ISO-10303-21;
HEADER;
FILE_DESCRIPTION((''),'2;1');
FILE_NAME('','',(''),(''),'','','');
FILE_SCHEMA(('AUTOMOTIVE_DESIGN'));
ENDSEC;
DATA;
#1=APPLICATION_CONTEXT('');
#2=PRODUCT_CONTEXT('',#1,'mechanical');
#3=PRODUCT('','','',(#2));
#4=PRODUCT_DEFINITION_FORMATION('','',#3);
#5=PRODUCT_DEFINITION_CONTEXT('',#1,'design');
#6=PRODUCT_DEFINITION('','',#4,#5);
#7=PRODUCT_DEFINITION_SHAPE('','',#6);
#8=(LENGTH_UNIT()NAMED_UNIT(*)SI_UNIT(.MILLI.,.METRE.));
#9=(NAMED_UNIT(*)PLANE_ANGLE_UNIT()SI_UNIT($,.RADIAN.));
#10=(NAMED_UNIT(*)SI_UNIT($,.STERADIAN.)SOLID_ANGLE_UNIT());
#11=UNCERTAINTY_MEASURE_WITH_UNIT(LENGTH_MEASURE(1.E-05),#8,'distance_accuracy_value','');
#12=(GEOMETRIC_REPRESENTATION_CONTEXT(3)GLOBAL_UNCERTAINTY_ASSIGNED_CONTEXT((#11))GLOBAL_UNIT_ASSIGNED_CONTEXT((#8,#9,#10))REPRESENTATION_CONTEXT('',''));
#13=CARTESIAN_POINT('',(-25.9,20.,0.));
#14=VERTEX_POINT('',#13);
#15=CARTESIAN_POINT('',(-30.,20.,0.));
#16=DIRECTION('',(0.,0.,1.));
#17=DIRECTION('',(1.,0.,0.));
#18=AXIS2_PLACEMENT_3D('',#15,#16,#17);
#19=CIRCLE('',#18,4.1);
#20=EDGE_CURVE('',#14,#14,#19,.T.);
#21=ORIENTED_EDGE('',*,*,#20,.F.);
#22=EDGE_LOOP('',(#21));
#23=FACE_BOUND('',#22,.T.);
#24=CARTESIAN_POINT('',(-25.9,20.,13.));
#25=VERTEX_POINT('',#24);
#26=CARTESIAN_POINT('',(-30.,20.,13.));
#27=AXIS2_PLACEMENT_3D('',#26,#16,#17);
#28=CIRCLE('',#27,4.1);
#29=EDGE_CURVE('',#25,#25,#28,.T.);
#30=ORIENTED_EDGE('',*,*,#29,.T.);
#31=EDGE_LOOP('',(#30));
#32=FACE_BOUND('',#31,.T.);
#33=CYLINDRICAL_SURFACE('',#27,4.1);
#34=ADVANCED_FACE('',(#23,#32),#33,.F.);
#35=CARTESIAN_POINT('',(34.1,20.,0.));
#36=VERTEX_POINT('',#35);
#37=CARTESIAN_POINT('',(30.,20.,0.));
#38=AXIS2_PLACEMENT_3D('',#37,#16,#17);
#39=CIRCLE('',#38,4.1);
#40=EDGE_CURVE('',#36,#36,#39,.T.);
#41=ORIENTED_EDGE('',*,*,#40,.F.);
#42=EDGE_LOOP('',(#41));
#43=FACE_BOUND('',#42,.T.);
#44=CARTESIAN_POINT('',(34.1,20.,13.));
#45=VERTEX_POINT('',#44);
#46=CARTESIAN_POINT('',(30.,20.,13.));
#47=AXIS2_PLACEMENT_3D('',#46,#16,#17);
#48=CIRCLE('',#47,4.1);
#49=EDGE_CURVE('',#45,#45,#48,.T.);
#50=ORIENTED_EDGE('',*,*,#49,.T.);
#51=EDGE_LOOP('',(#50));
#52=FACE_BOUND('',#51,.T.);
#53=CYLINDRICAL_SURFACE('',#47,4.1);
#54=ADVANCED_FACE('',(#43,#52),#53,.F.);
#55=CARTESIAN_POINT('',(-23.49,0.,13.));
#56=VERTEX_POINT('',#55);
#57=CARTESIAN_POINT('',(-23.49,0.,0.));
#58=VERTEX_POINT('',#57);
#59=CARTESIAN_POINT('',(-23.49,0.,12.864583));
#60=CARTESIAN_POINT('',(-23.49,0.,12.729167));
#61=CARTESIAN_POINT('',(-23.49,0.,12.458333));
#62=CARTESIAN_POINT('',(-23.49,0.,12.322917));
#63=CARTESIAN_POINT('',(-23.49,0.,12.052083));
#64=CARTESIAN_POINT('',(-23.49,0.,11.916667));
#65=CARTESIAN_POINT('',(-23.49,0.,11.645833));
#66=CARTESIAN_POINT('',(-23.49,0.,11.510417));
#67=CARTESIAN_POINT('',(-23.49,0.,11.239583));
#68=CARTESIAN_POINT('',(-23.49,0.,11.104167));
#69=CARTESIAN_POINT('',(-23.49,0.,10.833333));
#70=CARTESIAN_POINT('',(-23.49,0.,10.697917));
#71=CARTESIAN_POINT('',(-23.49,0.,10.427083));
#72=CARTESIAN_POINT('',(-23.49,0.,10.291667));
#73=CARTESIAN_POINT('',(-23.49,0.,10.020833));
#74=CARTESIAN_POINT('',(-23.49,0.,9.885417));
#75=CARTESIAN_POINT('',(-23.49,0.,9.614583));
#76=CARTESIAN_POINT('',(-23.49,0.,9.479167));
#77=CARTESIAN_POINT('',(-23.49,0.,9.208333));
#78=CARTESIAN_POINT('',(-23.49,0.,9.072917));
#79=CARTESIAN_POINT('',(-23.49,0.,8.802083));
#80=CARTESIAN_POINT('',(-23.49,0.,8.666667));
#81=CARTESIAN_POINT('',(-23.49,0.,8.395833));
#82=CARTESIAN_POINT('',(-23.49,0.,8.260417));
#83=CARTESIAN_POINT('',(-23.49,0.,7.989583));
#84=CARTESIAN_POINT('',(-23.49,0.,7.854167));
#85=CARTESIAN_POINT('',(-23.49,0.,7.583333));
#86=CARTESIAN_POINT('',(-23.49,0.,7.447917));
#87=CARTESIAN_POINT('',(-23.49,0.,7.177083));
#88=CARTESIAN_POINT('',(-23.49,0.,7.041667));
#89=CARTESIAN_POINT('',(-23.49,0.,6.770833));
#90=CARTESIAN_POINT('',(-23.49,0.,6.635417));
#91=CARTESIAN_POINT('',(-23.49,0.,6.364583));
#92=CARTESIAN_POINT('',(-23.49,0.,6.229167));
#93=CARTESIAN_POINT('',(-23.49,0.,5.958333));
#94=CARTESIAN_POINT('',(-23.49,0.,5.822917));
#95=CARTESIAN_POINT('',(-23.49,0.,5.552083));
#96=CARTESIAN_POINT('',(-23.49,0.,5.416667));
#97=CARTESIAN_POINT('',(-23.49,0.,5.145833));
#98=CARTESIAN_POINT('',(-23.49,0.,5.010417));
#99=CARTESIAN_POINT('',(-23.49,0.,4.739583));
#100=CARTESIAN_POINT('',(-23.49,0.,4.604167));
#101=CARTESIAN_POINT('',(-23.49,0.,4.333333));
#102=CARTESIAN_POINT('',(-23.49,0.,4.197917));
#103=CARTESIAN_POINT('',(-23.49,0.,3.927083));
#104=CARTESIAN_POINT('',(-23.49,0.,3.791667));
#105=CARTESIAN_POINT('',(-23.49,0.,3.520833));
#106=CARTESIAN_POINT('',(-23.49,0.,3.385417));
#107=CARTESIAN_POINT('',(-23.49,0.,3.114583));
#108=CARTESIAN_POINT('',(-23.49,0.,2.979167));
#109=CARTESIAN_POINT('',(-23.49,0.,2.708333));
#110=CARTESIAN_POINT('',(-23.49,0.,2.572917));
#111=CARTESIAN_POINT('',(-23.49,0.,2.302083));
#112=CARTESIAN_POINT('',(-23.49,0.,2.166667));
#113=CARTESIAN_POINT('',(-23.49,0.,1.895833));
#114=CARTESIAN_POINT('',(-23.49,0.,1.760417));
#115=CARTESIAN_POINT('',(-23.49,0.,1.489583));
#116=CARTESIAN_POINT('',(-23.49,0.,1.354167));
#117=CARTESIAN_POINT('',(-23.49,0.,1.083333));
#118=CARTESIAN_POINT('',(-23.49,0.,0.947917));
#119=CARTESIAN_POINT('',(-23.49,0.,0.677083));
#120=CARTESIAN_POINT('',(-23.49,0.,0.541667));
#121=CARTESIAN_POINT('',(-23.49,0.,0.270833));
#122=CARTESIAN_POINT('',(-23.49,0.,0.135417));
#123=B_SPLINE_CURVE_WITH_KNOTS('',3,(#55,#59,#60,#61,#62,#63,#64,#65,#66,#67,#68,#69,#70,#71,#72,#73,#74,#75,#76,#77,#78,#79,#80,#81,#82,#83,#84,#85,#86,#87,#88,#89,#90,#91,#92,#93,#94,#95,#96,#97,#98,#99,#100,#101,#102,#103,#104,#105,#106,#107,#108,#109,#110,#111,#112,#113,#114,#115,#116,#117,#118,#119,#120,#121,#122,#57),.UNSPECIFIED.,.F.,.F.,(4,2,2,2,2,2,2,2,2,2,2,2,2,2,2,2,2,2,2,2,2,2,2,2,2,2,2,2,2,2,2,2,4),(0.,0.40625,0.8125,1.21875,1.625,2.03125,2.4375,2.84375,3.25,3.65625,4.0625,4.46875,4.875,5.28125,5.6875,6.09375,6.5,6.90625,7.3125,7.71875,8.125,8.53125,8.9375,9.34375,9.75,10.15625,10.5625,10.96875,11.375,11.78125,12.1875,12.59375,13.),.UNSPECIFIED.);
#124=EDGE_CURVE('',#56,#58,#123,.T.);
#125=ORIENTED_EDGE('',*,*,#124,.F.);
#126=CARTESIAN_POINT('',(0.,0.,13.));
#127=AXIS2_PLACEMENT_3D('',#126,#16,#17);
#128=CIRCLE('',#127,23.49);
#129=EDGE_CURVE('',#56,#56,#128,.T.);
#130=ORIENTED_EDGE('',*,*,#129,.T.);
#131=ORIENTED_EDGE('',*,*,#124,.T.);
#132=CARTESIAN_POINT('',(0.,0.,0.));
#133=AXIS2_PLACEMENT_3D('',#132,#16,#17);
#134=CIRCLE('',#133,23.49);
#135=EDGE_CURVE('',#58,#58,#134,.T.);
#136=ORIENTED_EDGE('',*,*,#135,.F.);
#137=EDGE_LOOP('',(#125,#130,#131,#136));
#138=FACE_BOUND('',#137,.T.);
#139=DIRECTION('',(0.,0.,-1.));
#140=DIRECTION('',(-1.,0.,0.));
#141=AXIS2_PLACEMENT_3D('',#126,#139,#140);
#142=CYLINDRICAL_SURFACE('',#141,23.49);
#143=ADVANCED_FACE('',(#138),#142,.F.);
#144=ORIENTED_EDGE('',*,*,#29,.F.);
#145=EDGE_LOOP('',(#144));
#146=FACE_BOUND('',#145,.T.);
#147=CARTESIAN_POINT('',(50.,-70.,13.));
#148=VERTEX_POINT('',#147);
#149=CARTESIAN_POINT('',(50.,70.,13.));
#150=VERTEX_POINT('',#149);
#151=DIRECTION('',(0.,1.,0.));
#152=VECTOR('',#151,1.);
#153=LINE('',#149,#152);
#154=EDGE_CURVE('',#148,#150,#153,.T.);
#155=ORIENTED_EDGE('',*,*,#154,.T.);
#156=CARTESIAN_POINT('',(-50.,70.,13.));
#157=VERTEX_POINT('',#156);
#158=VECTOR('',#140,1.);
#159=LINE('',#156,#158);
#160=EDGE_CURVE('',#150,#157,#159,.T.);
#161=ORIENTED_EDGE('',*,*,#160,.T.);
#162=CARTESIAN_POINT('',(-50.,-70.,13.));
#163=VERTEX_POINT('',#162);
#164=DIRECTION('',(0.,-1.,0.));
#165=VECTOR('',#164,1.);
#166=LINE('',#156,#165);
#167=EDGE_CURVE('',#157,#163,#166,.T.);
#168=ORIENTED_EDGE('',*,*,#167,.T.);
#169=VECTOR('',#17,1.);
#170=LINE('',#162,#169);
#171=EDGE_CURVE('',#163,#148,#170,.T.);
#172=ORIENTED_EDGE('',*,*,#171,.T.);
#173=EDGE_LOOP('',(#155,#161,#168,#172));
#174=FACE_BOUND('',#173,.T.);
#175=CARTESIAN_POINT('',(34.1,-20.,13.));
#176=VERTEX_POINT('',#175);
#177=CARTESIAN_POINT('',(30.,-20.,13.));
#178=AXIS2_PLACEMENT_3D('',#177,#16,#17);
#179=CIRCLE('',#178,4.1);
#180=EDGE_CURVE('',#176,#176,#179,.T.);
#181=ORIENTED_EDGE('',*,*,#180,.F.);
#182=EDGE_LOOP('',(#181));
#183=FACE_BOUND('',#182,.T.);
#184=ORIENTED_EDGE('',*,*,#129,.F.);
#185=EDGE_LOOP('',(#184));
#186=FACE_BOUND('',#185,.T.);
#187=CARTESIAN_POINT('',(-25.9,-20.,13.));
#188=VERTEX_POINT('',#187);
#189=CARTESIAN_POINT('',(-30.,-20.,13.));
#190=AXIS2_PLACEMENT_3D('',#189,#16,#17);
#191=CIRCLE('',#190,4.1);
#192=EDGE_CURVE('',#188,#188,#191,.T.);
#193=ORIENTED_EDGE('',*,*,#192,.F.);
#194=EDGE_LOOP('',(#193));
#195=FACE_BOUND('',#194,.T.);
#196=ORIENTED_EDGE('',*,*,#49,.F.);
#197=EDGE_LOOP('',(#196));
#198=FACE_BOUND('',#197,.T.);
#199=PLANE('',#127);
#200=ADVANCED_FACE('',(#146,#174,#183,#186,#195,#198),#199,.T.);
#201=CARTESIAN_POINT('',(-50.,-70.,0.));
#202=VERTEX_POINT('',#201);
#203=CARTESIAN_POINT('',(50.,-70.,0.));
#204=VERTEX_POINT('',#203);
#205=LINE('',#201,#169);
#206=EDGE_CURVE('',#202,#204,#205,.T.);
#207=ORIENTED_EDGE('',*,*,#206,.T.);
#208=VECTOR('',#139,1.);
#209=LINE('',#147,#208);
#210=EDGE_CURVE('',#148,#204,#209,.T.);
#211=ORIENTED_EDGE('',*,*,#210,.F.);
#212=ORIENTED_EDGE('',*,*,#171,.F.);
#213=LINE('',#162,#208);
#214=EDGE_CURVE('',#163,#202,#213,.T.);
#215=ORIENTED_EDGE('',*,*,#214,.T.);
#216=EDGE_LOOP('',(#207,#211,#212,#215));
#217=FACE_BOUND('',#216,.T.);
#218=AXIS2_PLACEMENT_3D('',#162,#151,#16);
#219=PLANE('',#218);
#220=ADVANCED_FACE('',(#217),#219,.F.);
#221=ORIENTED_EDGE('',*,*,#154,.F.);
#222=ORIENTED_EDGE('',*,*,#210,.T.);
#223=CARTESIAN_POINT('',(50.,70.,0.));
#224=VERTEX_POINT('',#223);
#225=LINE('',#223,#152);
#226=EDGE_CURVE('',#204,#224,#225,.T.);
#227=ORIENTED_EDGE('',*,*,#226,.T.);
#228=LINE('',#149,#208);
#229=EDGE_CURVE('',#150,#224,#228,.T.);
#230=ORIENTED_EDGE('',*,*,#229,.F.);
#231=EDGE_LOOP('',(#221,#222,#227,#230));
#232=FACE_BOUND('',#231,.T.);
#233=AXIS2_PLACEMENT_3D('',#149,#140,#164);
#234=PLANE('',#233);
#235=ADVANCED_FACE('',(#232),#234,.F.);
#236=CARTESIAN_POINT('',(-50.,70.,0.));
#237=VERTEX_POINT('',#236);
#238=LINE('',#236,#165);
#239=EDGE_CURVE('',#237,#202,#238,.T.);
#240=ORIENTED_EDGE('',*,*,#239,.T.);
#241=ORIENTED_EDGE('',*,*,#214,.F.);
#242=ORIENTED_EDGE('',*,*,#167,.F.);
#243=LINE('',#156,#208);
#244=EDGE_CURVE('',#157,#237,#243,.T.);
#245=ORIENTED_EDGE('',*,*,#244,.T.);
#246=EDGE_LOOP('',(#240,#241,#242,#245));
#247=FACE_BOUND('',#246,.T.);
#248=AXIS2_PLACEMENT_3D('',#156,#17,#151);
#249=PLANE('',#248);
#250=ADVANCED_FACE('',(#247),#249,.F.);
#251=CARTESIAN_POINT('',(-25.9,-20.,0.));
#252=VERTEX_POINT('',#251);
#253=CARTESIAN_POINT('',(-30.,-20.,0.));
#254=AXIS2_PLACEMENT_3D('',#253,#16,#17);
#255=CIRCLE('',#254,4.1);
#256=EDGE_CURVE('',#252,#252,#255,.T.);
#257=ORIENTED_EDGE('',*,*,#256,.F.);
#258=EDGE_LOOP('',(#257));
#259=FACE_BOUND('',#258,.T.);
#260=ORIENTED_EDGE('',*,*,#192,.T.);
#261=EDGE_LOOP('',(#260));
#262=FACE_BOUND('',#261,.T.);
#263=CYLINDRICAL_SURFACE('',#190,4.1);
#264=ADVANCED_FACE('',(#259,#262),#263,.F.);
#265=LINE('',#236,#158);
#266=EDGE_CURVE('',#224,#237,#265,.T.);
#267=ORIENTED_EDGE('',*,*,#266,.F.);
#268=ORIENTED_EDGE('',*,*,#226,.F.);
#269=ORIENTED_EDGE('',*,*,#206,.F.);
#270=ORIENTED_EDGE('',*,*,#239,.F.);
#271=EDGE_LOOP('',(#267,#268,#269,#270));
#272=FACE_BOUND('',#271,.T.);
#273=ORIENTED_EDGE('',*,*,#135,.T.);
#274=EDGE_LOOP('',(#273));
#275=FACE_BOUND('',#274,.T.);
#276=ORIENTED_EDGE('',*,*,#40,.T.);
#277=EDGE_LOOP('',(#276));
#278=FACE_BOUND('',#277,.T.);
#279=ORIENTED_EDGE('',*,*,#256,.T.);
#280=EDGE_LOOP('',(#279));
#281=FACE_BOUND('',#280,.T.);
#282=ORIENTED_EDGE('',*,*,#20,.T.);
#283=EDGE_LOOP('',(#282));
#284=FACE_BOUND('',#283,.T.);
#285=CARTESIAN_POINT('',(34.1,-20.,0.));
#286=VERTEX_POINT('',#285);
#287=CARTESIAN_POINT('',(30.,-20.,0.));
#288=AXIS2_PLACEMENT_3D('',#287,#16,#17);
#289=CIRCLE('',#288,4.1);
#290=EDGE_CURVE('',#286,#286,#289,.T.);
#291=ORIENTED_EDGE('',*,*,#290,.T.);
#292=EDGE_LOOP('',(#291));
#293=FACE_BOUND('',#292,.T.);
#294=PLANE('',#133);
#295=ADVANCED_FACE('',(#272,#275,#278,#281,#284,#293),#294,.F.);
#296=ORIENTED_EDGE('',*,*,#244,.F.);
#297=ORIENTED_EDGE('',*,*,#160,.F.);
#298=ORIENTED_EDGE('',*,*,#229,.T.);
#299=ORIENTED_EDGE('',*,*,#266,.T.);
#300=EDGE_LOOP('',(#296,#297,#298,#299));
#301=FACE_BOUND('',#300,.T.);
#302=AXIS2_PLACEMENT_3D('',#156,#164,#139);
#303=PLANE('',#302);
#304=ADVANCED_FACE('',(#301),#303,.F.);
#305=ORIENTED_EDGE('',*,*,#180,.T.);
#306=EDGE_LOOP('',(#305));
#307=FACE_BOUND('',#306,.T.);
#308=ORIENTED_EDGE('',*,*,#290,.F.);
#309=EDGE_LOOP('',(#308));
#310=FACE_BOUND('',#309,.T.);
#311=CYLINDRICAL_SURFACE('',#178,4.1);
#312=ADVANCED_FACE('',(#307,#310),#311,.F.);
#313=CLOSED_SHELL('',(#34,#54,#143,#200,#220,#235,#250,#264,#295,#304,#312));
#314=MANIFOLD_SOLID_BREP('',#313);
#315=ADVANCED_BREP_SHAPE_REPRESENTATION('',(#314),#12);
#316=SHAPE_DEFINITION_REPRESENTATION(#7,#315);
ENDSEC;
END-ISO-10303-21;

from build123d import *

# Parameters (mm, degrees)
SKETCH1_W                = 100
SKETCH1_H                = 140
SKETCH1_R                = 23.49
BOSS_EXTRUDE1_DEPTH      = 13
M8_CLEARANCE_HOLE1_D     = 8.2
M8_CLEARANCE_HOLE1_DEPTH = 19.75
M8_CLEARANCE_HOLE1_TIP   = 2.463528538


with BuildPart() as part:
    # Sketch1 → Boss-Extrude1 (new body)
    with BuildSketch(Plane.XY):
        Rectangle(SKETCH1_W, SKETCH1_H)
        with Locations(Location((0, 0, 0), (0, 0, 180))):
            Circle(SKETCH1_R, mode=Mode.SUBTRACT)
    extrude(amount=BOSS_EXTRUDE1_DEPTH)

    # M8 Clearance Hole1
    with Locations(Plane(origin=(-30, 20, 13), x_dir=(1, 0, 0), z_dir=(0, 0, 1))):
        with Locations((0, 0), (60, 0), (60, -40), (0, -40)):
            Hole(M8_CLEARANCE_HOLE1_D / 2, depth=M8_CLEARANCE_HOLE1_DEPTH)
            with Locations((0, 0, -(M8_CLEARANCE_HOLE1_DEPTH + M8_CLEARANCE_HOLE1_TIP / 2))):  # 118° drill point
                Cone(0, M8_CLEARANCE_HOLE1_D / 2, M8_CLEARANCE_HOLE1_TIP, mode=Mode.SUBTRACT)


solid = part.part
